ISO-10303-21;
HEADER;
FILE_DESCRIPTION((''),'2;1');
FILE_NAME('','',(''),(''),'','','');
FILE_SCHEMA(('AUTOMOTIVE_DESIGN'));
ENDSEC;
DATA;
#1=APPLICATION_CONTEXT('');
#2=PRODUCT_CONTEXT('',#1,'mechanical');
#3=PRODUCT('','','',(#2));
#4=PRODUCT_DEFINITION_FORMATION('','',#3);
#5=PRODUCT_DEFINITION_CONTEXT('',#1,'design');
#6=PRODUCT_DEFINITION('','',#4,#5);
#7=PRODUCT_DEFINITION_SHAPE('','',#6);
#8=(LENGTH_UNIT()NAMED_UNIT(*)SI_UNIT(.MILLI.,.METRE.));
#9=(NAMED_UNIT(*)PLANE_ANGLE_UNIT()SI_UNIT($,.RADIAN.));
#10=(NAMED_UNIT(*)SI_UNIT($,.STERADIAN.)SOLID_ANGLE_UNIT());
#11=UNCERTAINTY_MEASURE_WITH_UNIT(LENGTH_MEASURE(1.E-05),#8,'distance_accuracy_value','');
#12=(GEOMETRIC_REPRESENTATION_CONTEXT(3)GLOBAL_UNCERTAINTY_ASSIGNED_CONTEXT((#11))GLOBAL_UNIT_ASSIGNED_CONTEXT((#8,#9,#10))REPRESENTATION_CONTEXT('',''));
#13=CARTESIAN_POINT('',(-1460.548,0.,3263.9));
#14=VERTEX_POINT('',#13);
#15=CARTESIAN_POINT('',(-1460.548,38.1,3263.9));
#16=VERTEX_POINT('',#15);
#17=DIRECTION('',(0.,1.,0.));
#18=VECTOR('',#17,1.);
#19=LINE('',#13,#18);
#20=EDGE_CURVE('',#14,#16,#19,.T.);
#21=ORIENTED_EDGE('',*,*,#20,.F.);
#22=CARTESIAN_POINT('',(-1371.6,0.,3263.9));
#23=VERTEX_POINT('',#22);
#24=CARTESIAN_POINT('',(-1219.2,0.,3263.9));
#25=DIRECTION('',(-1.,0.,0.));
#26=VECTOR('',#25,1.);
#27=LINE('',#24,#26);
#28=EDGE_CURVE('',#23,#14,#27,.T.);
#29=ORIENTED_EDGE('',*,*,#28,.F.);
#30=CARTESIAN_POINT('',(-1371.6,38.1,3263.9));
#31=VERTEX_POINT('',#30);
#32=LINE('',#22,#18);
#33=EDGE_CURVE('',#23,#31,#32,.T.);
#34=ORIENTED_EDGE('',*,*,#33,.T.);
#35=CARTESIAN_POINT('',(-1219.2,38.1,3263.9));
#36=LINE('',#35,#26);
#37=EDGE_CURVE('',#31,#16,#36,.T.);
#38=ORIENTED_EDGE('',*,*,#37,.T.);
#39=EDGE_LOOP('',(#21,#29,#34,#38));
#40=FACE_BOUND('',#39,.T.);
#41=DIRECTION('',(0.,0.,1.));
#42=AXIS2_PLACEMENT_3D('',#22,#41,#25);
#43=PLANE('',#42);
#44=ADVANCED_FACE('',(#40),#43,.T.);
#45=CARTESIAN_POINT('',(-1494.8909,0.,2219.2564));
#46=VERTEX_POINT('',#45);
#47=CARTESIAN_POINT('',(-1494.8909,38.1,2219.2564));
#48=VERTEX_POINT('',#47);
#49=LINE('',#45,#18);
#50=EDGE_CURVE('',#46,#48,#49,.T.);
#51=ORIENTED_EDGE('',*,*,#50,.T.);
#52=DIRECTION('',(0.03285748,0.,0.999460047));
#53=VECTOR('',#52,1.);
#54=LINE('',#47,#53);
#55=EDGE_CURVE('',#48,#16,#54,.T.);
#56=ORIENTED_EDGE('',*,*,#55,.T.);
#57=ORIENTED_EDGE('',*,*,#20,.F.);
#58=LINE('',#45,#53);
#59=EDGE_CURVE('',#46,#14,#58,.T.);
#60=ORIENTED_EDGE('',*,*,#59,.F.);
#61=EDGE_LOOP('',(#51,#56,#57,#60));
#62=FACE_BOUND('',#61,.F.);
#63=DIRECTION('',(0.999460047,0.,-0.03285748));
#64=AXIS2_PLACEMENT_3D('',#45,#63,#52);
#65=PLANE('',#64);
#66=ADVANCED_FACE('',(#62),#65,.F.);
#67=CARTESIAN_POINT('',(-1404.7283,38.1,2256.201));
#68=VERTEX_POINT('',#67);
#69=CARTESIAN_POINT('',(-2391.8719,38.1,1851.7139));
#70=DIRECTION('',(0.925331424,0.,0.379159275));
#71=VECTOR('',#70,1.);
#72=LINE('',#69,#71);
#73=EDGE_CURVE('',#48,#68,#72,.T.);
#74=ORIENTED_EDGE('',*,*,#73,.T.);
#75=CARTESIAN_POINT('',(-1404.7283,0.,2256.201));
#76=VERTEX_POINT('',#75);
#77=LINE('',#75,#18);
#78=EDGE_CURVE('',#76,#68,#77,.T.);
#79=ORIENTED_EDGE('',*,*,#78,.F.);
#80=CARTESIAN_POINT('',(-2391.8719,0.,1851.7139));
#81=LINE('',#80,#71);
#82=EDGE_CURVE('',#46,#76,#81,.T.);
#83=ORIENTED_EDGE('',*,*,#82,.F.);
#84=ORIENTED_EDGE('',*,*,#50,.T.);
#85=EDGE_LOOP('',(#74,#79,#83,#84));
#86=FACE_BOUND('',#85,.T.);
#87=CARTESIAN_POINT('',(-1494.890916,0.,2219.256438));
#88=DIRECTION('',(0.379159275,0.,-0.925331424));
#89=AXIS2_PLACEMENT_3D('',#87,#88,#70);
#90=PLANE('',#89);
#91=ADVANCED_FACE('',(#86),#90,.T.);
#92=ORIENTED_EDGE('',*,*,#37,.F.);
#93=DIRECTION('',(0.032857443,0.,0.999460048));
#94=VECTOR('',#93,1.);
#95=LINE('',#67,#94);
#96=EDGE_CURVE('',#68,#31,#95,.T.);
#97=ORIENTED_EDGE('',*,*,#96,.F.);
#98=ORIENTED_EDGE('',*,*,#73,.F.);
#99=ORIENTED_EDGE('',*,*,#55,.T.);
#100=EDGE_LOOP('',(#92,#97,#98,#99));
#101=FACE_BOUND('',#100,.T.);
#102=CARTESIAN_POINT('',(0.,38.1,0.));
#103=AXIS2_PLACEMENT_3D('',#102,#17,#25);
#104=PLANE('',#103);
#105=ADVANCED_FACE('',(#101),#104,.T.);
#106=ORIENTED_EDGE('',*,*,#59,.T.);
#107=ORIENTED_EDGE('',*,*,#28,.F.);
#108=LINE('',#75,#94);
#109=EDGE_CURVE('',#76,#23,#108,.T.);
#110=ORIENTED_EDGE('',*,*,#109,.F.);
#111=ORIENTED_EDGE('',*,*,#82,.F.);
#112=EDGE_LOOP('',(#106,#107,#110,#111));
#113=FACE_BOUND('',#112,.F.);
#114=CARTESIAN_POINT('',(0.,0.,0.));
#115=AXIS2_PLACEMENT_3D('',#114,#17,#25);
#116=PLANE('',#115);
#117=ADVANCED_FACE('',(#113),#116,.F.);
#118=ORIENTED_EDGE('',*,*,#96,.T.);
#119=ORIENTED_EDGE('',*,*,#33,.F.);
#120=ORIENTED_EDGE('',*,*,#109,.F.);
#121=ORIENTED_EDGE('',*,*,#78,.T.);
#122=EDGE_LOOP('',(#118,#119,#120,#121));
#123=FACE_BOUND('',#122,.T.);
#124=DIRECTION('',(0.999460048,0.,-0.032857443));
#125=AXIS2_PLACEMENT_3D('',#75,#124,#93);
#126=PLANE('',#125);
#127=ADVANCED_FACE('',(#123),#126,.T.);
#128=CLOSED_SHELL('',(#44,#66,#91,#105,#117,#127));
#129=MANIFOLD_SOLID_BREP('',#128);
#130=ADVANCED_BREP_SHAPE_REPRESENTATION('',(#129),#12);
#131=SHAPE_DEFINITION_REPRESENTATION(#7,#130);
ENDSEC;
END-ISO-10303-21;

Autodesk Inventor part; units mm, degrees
ref_plane "YZ Plane" through (0, 0, 0) normal (1, 0, 0) x (0, 1, 0)
ref_plane "XZ Plane" through (0, 0, 0) normal (0, 1, 0) x (-1, 0, 0)
ref_plane "XY Plane" through (0, 0, 0) normal (0, 0, 1) x (1, 0, 0)
sketch "Sketch1" plane through (0, 0, 0) normal (0, 1, 0) x (-1, 0, 0)
  line L0 (0, 0) -> (0, -1219.2)
  line L1 (0, 0) -> (88.9, 0)
  line L2 (88.9, 0) -> (88.9, -1219.2)
  line L3 (88.9, -1219.2) -> (0, -1219.2)
  line L4 (0, 0) -> (0, 1219.2) construction
  line L5 (0, 1219.2) -> (1219.2, 1219.2) construction
  line L6 (0, 1219.2) -> (0, 3657.6) construction
  line L7 (0, 3657.6) -> (0, 4876.8) construction
  line L8 (0, 4876.8) -> (0, 6096) construction
  line L9 (0, -1219.2) -> (2438.4, -1219.2) construction
  line L10 (0, 6096) -> (2438.4, 6096) construction
  line L11 (2438.4, 6096) -> (2438.4, -1219.2) construction
  line L12 (0, 3657.6) -> (0, 3352.8) construction
  line L13 (0, 3352.8) -> (2438.4, 3352.8) construction
  line L14 (2438.4, 3352.8) -> (1219.2, 3352.8)
  line L15 (1219.2, 3352.8) -> (1219.2, 3263.9)
  line L16 (1219.2, 3263.9) -> (2438.4, 3263.9)
  line L17 (2438.4, 3263.9) -> (2438.4, 3352.8)
  line L18 (0, 6096) -> (862.1046, 6958.1046)
  line L19 (862.1046, 6958.1046) -> (924.9664, 6895.2428)
  line L20 (924.9664, 6895.2428) -> (62.8618, 6033.1382)
  line L21 (62.8618, 6033.1382) -> (0, 6096)
  line L22 (0, 4876.8) -> (1219.2, 4876.8) construction
  line L23 (1219.2, 4876.8) -> (2081.3046, 5738.9046)
  line L24 (1219.2, 1219.2) -> (2081.3046, 357.0954)
  line L25 (2081.3046, 357.0954) -> (2018.4428, 294.2336)
  line L26 (2018.4428, 294.2336) -> (1156.3382, 1156.3382)
  line L27 (1156.3382, 1156.3382) -> (1219.2, 1219.2)
  line L28 (2018.4428, 294.2336) -> (88.9, -1219.2)
  line L29 (2081.3046, 357.0954) -> (2144.1664, 419.9572)
  line L30 (2144.1664, 419.9572) -> (1282.0618, 1282.0618)
  line L31 (1282.0618, 1282.0618) -> (1219.2, 1219.2)
  line L32 (2438.4, 3352.8) -> (2438.4, 3441.7)
  line L33 (2438.4, 3441.7) -> (1219.2, 3441.7)
  line L34 (1219.2, 3441.7) -> (1219.2, 3352.8)
  line L35 (1156.3382, 4939.6618) -> (1282.0618, 4813.9382)
  line L36 (2018.4428, 5801.7664) -> (2144.1664, 5676.0428)
  line L37 (1282.0618, 4813.9382) -> (2144.1664, 5676.0428)
  line L38 (2018.4428, 5801.7664) -> (1156.3382, 4939.6618)
  line L39 (2018.4428, 5801.7664) -> (924.9664, 6895.2428)
  line L40 (62.8618, 6033.1382) -> (1156.3382, 4939.6618)
  line L41 (1233.6206, 4168.8855) -> (1267.6412, 4086.7527)
  line L42 (1263.7078, 2313.9849) -> (1230.0006, 2231.7229)
  arc A0 (862.1046, 6958.1046) -> (0, 6096) centre (431.0523, 6527.0523) ccw
  line L43 (1246.8542, 2272.8539) -> (2375.0183, 1810.583)
  line L44 (2391.8719, 1851.7139) -> (2358.1646, 1769.452)
  line L45 (2391.8719, 1851.7139) -> (1263.7078, 2313.9849)
  line L46 (1230.0006, 2231.7229) -> (2358.1646, 1769.452)
  line L47 (1230.0006, 2231.7229) -> (1219.2, 3263.9)
  line L48 (2144.1664, 419.9572) -> (2391.8719, 1851.7139)
  line L49 (2391.8719, 1851.7139) -> (2438.4, 3263.9)
  line L50 (1219.2, 3441.7) -> (1233.6206, 4168.8855)
  line L51 (1250.6309, 4127.8191) -> (2377.0248, 4594.3867)
  line L52 (2360.0145, 4635.4532) -> (2394.0351, 4553.3203)
  line L53 (2394.0351, 4553.3203) -> (1267.6412, 4086.7527)
  line L54 (2360.0145, 4635.4532) -> (1233.6206, 4168.8855)
  line L55 (2394.0351, 4553.3203) -> (2144.1664, 5676.0428)
  line L56 (2438.4, 3441.7) -> (2394.0351, 4553.3203)
  line L57 (2144.1664, 5676.0428) -> (2057.3895, 5656.7301)
  line L58 (2394.0351, 4553.3203) -> (2305.2058, 4549.7751)
  line L59 (2394.0351, 4553.3203) -> (2307.2582, 4534.0076)
  line L60 (2307.2582, 4534.0076) -> (2057.3895, 5656.7301)
  line L61 (2438.4, 3441.7) -> (2349.5707, 3438.1548)
  line L62 (2349.5707, 3438.1548) -> (2305.2058, 4549.7751)
  line L63 (1219.2, 3441.7) -> (1308.0825, 3439.9374)
  line L64 (1233.6206, 4168.8855) -> (1322.5031, 4167.1229)
  line L65 (1322.5031, 4167.1229) -> (1308.0825, 3439.9374)
  line L66 (2018.4428, 5801.7664) -> (1955.581, 5738.9046)
  line L67 (1955.581, 5738.9046) -> (862.1046, 6832.381)
  line L68 (924.9664, 6895.2428) -> (862.1046, 6832.381)
  line L69 (62.8618, 6033.1382) -> (125.7236, 6096)
  line L70 (62.8618, 6033.1382) -> (125.7236, 6096)
  line L71 (125.7236, 6096) -> (1219.2, 5002.5236)
  line L72 (1156.3382, 1156.3382) -> (0, 0)
  line L73 (0, 0) -> (62.8618, -62.8618)
  line L74 (1156.3382, 1156.3382) -> (1219.2, 1093.4764)
  line L75 (1219.2, 1093.4764) -> (62.8618, -62.8618)
  line L76 (2018.4428, 294.2336) -> (1963.5776, 364.1837)
  line L77 (88.9, -1219.2) -> (34.0348, -1149.2499)
  line L78 (34.0348, -1149.2499) -> (1963.5776, 364.1837)
  line L79 (2144.1664, 419.9572) -> (2056.5677, 435.1125)
  line L80 (2391.8719, 1851.7139) -> (2304.2732, 1866.8692)
  line L81 (2391.8719, 1851.7139) -> (2303.0201, 1854.6414)
  line L82 (2304.2732, 1866.8692) -> (2056.5677, 435.1125)
  line L83 (1230.0006, 2231.7229) -> (1318.8957, 2232.6531)
  line L84 (1219.2, 3263.9) -> (1308.0951, 3264.8302)
  line L85 (1308.0951, 3264.8302) -> (1318.8957, 2232.6531)
  line L86 (2438.4, 3263.9) -> (2349.5482, 3266.8275)
  line L87 (2349.5482, 3266.8275) -> (2303.0201, 1854.6414)
  line L88 (88.9, 0) -> (125.7236, 0)
  line L89 (1233.6206, 4168.8855) -> (1219.2, 4876.8)
  line L90 (1233.6206, 4168.8855) -> (1322.5022, 4170.6961)
  line L91 (1219.2, 4876.8) -> (1308.0816, 4878.6106)
  line L92 (1308.0816, 4878.6106) -> (1322.5022, 4170.6961)
  line L93 (1282.0618, 4813.9382) -> (1309.9674, 4786.0326)
  line L94 (1267.6412, 4086.7527) -> (1318.4756, 3964.0275)
  line L95 (2360.0145, 4635.4532) -> (2374.4273, 4641.4231)
  line L96 (1230.0006, 2231.7229) -> (1219.2, 1219.2)
  line L97 (1230.0006, 2231.7229) -> (1318.8955, 2230.7747)
  line L98 (1219.2, 1219.2) -> (1308.0949, 1218.2518)
  line L99 (1308.0949, 1218.2518) -> (1318.8955, 2230.7747)
  line L100 (1282.0618, 1282.0618) -> (1309.0636, 1309.0636)
  line L101 (1263.7078, 2313.9849) -> (1316.7428, 2438.4)
  line L102 (2358.1646, 1769.452) -> (2376.5379, 1763.082)
  line L103 (2286, 3352.8) -> (1371.6, 3352.8)
  line L104 (2286, 3441.7) -> (2286, 3263.9)
  line L105 (1371.6, 3441.7) -> (1371.6, 3263.9)
  line L106 (0, -152.4) -> (0, -1066.8)
  line L107 (0, -152.4) -> (88.9, -152.4)
  line L108 (0, -1066.8) -> (88.9, -1066.8)
  line L109 (1326.9631, 1111.4369) -> (1973.5415, 464.8585)
  line L110 (2036.4033, 527.7203) -> (1910.6797, 401.9967)
  line L111 (1389.8249, 1174.2987) -> (1264.1013, 1048.5751)
  line L112 (2233.9978, 1868.3668) -> (1387.8747, 2215.07)
  line L113 (1404.7283, 2256.201) -> (1371.0211, 2173.939)
  line L114 (2250.8514, 1909.4978) -> (2217.1441, 1827.2358)
  line L115 (1371.0211, 2173.939) -> (1389.8249, 1174.2987)
  line L116 (1264.1013, 1048.5751) -> (88.9, -152.4)
  line L117 (2217.1441, 1827.2358) -> (2036.4033, 527.7203)
  line L118 (1910.6797, 401.9967) -> (88.9, -1066.8)
  line L119 (88.9, -1066.8) -> (33.1016, -997.592)
  line L120 (1910.6797, 401.9967) -> (1854.8813, 471.2047)
  line L121 (1854.8813, 471.2047) -> (33.1016, -997.592)
  line L122 (88.9, -152.4) -> (0, -243.2497)
  line L123 (0, -243.2497) -> (63.5399, -305.426)
  line L124 (1263.7078, 1048.9686) -> (1327.2477, 986.7923)
  line L125 (1327.2477, 986.7923) -> (88.9, -278.7141)
  line L126 (1389.8249, 1174.2987) -> (1392.2351, 1046.1649)
  line L127 (1392.2351, 1046.1649) -> (1481.1194, 1047.8368)
  line L128 (1371.0211, 2173.939) -> (1459.9053, 2175.611)
  line L129 (1459.9053, 2175.611) -> (1460.6275, 2137.2224)
  line L130 (2036.4033, 527.7203) -> (1948.3509, 539.9669)
  line L131 (2217.1441, 1827.2358) -> (2223.465, 1872.6827)
  line L132 (2223.465, 1872.6827) -> (2135.4126, 1884.9293)
  line L133 (2135.4126, 1884.9293) -> (2132.2278, 1862.0307)
  line L134 (88.9, -278.7141) -> (63.1422, -305.0368)
  line L135 (2132.2278, 1862.0307) -> (1948.3509, 539.9669)
  line L136 (1480.4452, 1083.6784) -> (1481.1194, 1047.8368)
  line L137 (1460.6275, 2137.2224) -> (1480.4452, 1083.6784)
  line L138 (1973.5415, 5631.1415) -> (1326.9631, 4984.5631)
  line L139 (1264.1013, 5047.4249) -> (1389.8249, 4921.7013)
  line L140 (1910.6797, 5694.0033) -> (2036.4033, 5568.2797)
  line L141 (1404.7283, 2256.201) -> (1371.6, 3263.9)
  line L142 (2250.8514, 1909.4978) -> (2286, 3263.9)
  line L143 (2236.2256, 4536.0658) -> (1391.4301, 4186.1401)
  line L144 (1374.4199, 4227.2065) -> (1408.4404, 4145.0736)
  line L145 (2219.2153, 4577.1322) -> (2253.2359, 4494.9993)
  line L146 (2286, 3441.7) -> (2253.2359, 4494.9993)
  line L147 (2219.2153, 4577.1322) -> (2036.4033, 5568.2797)
  line L148 (1374.4199, 4227.2065) -> (1389.8249, 4921.7013)
  line L149 (2036.4033, 5568.2797) -> (1948.978, 5552.1546)
  line L150 (2219.2153, 4577.1322) -> (2227.4595, 4532.4348)
  line L151 (2227.4595, 4532.4348) -> (2140.0342, 4516.3096)
  line L152 (1948.978, 5552.1546) -> (2140.0342, 4516.3096)
  line L153 (1374.4199, 4227.2065) -> (1463.298, 4225.235)
  line L154 (1389.8249, 4921.7013) -> (1392.6769, 5050.2769)
  line L155 (1392.6769, 5050.2769) -> (1481.555, 5048.3054)
  line L156 (1463.298, 4225.235) -> (1481.555, 5048.3054)
  line L157 (2253.2359, 4494.9993) -> (2164.3788, 4492.2353)
  line L158 (2286, 3441.7) -> (2197.143, 3438.936)
  line L159 (2197.143, 3438.936) -> (2164.3788, 4492.2353)
  line L160 (1408.4404, 4145.0736) -> (1371.6, 3441.7)
  line L161 (2286, 3263.9) -> (2197.1299, 3266.2063)
  line L162 (2250.8514, 1909.4978) -> (2161.9813, 1911.8041)
  line L163 (2161.9813, 1911.8041) -> (2197.1299, 3266.2063)
  line L164 (1408.4404, 4145.0736) -> (1411.0163, 4194.2529)
  line L165 (1411.0163, 4194.2529) -> (1499.7946, 4189.603)
  line L166 (1371.6, 3441.7) -> (1460.3783, 3437.0501)
  line L167 (1460.3783, 3437.0501) -> (1499.7946, 4189.603)
  line L168 (1371.6, 3263.9) -> (1460.452, 3266.821)
  line L169 (1404.7283, 2256.201) -> (1406.3291, 2207.5082)
  line L170 (1406.3291, 2207.5082) -> (1495.1811, 2210.4293)
  line L171 (1495.1811, 2210.4293) -> (1494.8909, 2219.2564)
  line L172 (1494.8909, 2219.2564) -> (1460.548, 3263.9)
  line L173 (1460.548, 3263.9) -> (1460.452, 3266.821)
  point P0 (1955.1236, 357.5528)
  point P1 (88.9, -1106.2164)
  point P2 (2292.1025, 1796.5213)
  point P3 (2067.2525, 496.8711)
  point P4 (1318.5187, 2195.4522)
  point P5 (1308.1049, 3263.9)
  point P6 (2349.4518, 3263.9)
  point P7 (2304.1085, 1887.6754)
  point P8 (2306.5112, 4517.0667)
  point P9 (2349.4292, 3441.7)
  point P10 (1308.1175, 3441.7)
  point P11 (2069.6708, 5601.5472)
  point P12 (2291.0394, 4606.8827)
  point P13 (1321.7951, 4205.4086)
  point P14 (1828.8, 3352.8)
  point P15 (0, -609.6)
  point P16 (1650.2523, 788.1477)
  point P17 (1810.9362, 2041.7184)
  point P18 (88.9, -278.7141)
  point P19 (1326.5733, 986.1031)
  point P20 (1957.6068, 606.5167)
  point P21 (1957.6068, 606.5167)
  point P22 (1480.4452, 1083.6784)
  point P23 (1650.2523, 5307.8523)
  point P24 (1813.8279, 4361.1029)
  point P25 (2197.0701, 3263.9)
  point P26 (2162.8572, 1945.5539)
  dimension "d0" = 1219.2
  dimension "d2" = 1219.2
  dimension "d3" = 1219.2
  dimension "d16" = 2438.4
  dimension "d17" = 1219.2
  dimension "d18" = 1219.2
  dimension "d20" = 2438.4
  dimension "d21" = 304.8
  dimension "d22" = 1219.2
  dimension "d23" = 88.9
  dimension "d24" = 1219.2
  dimension "d25" = 45
  dimension "d26" = 88.9
  dimension "d27" = 1219.2
  dimension "d28" = 1219.2
  dimension "d29" = 1219.2
  dimension "d31" = 1219.2
  dimension "d32" = 88.9
  dimension "d33" = 88.9
  dimension "d34" = 88.9
  dimension "d35" = 177.8
  dimension "d36" = 177.8
  dimension "d38" = 88.9
  dimension "d39" = 88.9
  dimension "d43" = 1219.2
  dimension "d44" = 88.9
  dimension "d45" = 1219.2
  dimension "d46" = 88.9
  dimension "d47" = 88.9
  dimension "d48" = 88.9
  dimension "d49" = 88.9
  dimension "d50" = 88.9
  dimension "d51" = 88.9
  dimension "d54" = 88.9
  dimension "d55" = 88.9
  dimension "d57" = 88.9
  dimension "d58" = 88.9
  dimension "d59" = 88.9
  dimension "d60" = 88.9
  dimension "d61" = 88.9
  dimension "d64" = 88.9
  dimension "d65" = 88.9
  dimension "d66" = 88.9
  dimension "d69" = 88.9
  dimension "d70" = 88.9
  dimension "d71" = 88.9
  dimension "d72" = 88.9
  dimension "d73" = 914.4
  dimension "d74" = 914.4
  dimension "d75" = 914.4
  dimension "d76" = 914.4
  dimension "d77" = 88.9
  dimension "d78" = 88.9
  dimension "d79" = 88.9
  dimension "d80" = 88.9
  dimension "d83" = 88.9
  dimension "d84" = 88.9
  dimension "d85" = 88.9
  dimension "d86" = 88.9
  dimension "d89" = 914.4
  dimension "d90" = 914.4
  dimension "d91" = 88.9
  dimension "d92" = 88.9
  dimension "d93" = 88.9
extrude "Extrusion3" add sketch "Sketch1" along normal blind 38.1 contours L16 L172 L45 L141
properties part number "S_2x4x41.150"
